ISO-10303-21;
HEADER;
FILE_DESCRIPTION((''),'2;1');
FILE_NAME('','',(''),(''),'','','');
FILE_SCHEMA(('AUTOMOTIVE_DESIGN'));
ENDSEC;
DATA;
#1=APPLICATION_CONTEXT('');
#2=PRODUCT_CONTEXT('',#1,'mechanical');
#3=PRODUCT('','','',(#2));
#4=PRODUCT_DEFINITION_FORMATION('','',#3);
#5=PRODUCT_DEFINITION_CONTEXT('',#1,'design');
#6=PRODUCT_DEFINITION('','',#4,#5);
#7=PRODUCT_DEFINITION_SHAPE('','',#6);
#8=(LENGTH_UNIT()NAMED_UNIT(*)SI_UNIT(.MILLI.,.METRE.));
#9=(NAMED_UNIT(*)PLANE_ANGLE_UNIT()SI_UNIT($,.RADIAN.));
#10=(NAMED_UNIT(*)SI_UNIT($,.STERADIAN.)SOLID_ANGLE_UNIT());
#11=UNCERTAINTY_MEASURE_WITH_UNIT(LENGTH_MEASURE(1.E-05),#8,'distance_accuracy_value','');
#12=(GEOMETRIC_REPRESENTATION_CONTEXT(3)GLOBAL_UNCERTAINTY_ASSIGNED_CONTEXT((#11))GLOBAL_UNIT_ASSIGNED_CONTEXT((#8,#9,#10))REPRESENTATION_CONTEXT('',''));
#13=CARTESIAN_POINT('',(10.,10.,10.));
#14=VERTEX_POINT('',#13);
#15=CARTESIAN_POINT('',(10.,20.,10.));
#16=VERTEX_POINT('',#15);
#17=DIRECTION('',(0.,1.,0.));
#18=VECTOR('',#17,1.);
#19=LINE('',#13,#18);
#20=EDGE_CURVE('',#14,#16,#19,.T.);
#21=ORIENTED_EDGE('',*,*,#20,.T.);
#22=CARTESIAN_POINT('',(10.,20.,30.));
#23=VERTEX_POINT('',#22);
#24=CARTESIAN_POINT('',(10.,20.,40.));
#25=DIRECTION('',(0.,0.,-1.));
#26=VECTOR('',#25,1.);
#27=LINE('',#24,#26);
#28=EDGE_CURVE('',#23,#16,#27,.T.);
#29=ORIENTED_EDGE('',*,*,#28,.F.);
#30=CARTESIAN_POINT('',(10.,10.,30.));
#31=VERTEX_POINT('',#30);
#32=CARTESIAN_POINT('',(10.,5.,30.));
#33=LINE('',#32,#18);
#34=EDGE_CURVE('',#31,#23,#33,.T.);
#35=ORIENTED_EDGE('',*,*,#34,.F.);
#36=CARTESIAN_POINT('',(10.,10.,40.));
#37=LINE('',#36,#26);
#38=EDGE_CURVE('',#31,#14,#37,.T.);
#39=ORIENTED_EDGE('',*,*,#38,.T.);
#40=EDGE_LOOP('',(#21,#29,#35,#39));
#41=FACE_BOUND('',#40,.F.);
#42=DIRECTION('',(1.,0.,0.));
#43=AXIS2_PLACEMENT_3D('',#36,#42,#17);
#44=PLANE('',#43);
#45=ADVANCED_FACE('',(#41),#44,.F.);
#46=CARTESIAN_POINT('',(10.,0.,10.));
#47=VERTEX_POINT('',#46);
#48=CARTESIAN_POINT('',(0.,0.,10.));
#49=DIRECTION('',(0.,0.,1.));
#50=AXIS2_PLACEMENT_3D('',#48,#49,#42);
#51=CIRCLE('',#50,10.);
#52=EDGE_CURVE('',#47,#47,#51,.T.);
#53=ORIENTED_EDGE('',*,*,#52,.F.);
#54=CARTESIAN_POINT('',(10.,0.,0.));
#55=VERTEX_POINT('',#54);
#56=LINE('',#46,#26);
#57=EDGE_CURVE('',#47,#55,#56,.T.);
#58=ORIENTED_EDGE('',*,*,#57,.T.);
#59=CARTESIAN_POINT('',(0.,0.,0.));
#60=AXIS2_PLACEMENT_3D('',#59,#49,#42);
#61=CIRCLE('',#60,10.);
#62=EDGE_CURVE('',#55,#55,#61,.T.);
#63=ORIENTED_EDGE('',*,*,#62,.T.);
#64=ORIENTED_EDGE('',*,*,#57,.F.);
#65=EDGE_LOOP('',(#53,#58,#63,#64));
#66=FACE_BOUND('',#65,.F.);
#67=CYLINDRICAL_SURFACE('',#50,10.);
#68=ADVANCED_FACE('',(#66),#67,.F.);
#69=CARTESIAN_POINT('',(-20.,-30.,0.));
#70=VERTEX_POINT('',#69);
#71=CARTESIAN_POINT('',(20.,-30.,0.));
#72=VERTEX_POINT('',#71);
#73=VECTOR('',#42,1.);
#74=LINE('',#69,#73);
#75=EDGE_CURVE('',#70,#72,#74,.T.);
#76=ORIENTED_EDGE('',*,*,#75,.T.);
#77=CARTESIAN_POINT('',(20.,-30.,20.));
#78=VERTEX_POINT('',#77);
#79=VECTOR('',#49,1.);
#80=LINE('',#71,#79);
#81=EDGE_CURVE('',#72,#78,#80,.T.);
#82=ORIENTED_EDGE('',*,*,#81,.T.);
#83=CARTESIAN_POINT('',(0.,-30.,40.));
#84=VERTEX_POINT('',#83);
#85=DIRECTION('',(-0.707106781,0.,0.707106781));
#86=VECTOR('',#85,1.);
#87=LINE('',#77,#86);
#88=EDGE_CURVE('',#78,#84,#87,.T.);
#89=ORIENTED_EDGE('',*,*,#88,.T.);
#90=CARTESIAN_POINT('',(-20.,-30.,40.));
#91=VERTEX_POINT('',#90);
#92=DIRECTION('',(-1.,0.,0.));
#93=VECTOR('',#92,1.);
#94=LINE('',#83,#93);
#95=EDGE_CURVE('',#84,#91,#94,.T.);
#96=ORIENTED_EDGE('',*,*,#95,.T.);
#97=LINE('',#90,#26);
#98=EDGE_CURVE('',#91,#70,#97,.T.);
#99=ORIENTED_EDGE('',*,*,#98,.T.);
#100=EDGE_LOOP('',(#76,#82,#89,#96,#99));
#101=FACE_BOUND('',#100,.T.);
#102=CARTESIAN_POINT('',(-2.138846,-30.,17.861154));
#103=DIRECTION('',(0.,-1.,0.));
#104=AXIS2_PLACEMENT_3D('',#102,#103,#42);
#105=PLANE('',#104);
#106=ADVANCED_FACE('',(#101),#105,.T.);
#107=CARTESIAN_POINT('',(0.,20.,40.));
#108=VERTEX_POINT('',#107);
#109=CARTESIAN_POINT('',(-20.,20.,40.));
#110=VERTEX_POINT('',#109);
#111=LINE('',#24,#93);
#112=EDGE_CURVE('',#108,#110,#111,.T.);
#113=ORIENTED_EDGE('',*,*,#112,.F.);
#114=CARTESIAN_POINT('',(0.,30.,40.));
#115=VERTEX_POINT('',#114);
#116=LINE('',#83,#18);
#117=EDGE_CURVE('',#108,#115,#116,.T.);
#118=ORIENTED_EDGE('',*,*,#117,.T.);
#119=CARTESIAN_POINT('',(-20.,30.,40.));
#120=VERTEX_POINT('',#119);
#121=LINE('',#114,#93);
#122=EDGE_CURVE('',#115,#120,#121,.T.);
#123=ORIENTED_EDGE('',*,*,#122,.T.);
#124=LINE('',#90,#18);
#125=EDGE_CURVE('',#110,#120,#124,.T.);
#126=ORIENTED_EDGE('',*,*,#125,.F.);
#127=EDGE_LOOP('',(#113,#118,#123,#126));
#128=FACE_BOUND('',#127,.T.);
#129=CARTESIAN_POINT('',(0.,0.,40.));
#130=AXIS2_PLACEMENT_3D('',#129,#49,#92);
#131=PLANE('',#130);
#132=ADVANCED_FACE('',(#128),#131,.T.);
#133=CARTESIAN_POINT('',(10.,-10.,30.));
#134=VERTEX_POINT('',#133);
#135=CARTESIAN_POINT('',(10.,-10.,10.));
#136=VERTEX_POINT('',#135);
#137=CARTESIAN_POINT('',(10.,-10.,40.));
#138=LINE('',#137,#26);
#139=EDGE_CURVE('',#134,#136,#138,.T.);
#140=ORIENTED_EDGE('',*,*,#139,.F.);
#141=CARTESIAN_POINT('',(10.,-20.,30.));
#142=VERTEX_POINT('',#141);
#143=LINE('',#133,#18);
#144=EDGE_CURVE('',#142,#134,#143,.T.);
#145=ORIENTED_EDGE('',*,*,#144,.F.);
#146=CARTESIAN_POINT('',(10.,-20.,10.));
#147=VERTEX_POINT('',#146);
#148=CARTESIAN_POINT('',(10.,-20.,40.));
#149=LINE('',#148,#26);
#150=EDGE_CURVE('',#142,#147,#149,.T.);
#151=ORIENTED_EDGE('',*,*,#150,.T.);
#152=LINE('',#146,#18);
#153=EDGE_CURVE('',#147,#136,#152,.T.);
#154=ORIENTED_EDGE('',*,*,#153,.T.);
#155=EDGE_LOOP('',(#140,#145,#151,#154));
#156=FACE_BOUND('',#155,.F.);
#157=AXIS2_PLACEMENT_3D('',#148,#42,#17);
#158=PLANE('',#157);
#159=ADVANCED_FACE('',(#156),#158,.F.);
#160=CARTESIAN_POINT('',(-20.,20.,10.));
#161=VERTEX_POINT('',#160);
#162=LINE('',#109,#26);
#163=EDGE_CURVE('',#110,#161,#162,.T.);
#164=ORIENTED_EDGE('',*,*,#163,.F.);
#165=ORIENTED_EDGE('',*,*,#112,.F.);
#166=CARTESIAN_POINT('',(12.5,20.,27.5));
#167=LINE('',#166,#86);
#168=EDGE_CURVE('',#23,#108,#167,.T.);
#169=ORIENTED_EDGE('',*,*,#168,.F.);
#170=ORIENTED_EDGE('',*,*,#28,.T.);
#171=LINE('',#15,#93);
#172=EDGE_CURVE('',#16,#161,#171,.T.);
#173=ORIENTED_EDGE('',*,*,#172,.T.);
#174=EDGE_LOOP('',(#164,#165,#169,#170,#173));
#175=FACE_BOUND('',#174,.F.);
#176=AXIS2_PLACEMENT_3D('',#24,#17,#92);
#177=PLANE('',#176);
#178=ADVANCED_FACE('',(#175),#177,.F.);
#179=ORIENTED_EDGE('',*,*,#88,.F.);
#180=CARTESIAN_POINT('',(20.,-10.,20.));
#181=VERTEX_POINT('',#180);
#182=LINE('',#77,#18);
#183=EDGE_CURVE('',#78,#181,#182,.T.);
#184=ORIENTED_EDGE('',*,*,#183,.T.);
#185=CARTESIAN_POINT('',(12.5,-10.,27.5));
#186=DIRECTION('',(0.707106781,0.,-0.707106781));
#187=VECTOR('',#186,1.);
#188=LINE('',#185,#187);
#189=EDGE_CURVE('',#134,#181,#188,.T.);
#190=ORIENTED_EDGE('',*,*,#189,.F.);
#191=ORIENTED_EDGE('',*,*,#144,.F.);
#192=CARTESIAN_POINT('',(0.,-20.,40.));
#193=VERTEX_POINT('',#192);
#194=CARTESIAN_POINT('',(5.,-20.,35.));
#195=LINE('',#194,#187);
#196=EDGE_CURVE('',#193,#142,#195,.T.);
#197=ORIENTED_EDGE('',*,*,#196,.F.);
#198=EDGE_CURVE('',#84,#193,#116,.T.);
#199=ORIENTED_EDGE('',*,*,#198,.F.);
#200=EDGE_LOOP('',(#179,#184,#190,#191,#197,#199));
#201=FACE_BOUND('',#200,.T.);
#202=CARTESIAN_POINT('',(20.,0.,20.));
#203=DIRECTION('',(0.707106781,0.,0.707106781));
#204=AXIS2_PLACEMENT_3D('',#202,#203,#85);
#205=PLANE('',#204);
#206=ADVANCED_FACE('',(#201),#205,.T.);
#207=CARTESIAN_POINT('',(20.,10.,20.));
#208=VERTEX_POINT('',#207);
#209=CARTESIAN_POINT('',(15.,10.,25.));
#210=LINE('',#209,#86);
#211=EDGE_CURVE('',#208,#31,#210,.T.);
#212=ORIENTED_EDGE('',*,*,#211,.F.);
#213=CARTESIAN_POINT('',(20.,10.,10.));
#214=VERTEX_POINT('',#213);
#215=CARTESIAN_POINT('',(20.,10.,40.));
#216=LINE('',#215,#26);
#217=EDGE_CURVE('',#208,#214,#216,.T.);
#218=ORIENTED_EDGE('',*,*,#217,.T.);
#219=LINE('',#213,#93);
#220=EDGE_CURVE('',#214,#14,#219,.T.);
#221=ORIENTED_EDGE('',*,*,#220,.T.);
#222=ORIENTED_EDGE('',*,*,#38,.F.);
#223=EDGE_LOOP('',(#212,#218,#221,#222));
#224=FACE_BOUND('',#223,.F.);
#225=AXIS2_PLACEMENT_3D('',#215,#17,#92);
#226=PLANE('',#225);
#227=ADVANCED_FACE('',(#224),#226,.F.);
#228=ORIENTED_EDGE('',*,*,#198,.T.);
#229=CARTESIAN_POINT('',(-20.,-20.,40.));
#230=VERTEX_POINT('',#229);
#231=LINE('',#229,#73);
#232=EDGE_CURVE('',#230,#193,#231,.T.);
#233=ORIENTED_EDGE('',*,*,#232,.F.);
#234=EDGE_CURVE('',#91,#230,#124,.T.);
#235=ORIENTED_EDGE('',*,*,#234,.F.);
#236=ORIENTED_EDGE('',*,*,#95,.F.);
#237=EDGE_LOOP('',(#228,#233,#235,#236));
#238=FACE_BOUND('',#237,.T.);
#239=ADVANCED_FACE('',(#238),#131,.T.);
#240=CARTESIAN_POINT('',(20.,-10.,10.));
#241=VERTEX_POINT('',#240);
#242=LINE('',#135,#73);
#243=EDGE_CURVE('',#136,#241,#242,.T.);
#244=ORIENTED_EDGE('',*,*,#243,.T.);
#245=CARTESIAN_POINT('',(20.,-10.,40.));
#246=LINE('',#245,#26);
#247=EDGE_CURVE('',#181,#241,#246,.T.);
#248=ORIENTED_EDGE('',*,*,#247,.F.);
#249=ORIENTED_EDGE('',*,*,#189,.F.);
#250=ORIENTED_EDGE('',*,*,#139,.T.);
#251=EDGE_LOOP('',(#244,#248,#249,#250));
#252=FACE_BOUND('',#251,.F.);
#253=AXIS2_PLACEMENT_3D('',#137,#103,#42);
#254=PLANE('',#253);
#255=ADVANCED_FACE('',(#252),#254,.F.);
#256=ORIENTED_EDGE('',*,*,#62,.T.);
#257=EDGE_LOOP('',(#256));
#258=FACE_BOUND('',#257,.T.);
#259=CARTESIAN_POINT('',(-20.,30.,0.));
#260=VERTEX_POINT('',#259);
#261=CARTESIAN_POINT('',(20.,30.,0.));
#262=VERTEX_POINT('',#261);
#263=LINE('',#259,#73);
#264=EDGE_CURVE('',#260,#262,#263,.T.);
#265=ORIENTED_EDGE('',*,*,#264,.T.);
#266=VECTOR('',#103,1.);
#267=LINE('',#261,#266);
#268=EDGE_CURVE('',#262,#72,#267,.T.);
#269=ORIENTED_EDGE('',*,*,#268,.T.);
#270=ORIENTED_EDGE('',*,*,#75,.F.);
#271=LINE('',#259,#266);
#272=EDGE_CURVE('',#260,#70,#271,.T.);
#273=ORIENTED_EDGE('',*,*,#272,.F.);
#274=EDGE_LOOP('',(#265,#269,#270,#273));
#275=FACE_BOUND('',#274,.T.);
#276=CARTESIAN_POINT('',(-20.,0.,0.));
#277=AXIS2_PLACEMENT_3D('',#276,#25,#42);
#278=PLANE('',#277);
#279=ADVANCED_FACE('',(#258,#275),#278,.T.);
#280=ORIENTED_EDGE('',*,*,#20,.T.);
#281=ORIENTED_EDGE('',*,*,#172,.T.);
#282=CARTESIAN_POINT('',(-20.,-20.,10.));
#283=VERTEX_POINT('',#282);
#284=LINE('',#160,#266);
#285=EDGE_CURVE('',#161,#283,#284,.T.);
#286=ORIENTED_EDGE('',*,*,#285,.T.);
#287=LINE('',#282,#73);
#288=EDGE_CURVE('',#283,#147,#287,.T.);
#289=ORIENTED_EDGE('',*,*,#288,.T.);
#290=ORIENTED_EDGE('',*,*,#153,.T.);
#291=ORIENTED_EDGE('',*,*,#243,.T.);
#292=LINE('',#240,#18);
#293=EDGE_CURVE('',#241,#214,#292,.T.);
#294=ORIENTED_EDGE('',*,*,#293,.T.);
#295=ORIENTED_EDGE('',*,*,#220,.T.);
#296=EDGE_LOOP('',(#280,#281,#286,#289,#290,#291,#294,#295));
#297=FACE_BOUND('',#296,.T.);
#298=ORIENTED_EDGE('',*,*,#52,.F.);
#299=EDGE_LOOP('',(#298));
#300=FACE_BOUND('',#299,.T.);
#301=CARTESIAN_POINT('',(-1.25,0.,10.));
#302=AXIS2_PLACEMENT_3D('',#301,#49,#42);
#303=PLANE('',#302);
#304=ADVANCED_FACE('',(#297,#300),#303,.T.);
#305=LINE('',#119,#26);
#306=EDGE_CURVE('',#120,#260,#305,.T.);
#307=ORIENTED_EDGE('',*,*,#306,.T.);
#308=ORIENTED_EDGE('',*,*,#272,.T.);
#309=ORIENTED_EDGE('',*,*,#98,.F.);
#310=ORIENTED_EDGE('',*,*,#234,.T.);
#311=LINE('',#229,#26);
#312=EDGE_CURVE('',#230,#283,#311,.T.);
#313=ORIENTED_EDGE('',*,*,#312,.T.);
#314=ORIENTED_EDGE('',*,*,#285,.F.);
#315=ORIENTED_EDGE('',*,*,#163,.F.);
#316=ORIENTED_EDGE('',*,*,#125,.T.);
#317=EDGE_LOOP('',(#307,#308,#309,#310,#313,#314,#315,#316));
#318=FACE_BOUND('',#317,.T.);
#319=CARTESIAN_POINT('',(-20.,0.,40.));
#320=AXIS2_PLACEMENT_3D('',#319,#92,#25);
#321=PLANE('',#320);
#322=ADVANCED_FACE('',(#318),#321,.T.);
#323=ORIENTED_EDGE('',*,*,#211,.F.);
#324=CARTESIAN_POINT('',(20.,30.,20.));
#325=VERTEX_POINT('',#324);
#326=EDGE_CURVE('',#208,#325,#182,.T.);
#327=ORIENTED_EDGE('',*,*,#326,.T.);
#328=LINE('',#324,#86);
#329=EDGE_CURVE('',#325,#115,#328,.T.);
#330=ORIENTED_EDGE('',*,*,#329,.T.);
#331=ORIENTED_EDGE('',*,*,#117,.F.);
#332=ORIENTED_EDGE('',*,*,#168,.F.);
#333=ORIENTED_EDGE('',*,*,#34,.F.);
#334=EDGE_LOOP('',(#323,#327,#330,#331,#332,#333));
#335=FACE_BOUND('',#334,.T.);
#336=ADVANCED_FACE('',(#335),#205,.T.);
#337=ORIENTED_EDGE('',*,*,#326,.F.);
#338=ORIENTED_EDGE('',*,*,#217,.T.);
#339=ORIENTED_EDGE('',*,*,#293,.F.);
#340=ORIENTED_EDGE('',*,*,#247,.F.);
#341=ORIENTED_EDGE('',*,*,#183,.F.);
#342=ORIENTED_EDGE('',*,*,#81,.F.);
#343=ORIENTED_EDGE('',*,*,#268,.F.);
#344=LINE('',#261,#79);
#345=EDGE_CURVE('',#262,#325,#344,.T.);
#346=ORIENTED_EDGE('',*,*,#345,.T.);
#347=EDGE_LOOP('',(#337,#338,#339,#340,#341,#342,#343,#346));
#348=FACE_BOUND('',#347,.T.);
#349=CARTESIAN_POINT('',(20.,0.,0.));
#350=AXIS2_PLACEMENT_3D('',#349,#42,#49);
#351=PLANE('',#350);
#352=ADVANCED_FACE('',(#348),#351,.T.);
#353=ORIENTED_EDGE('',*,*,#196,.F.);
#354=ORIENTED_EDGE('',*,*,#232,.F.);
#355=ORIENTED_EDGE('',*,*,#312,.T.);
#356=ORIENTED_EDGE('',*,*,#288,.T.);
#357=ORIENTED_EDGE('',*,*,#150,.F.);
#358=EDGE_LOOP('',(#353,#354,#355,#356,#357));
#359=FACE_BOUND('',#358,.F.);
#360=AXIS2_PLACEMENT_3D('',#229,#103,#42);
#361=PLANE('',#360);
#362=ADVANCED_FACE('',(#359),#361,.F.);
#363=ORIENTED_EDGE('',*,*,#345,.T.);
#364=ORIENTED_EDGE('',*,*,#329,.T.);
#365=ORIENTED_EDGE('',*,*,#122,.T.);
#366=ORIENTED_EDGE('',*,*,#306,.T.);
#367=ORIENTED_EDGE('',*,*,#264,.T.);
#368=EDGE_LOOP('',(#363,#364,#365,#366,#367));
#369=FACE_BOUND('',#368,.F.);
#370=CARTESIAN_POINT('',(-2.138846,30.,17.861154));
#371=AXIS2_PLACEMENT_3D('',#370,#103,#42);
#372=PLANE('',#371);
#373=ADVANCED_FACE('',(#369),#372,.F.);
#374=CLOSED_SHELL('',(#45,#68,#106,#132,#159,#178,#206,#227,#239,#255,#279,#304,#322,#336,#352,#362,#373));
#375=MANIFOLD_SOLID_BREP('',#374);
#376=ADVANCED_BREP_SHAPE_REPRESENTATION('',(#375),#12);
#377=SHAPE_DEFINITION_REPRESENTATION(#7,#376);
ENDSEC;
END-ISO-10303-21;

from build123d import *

# Parameters (mm, degrees)
F1_DEPTH = 30
F3_DEPTH = 30
F4_R     = 10
F5_DEPTH = 10


with BuildPart() as f1:
    # F0 (on Front) → F1 (new body, symmetric)
    with BuildSketch(Plane.XZ):
        Polygon((-20, 40), (-20, 0), (20, 0), (20, 20), (0, 40), align=None)
    extrude(amount=F1_DEPTH, both=True)

    # F2 (on face) → F3 (cut)
    with BuildSketch(Plane.XY.offset(40)):
        Polygon((10, 20), (-20, 20), (-20, -20), (10, -20), (10, -10), (20, -10), (20, 10), (10, 10), align=None)
    extrude(amount=-F3_DEPTH, mode=Mode.SUBTRACT)

    # F4 (on face) → F5 (cut)
    with BuildSketch(Plane.XY.offset(10)):
        Circle(F4_R)
    extrude(amount=-F5_DEPTH, mode=Mode.SUBTRACT)


solid = f1.part
